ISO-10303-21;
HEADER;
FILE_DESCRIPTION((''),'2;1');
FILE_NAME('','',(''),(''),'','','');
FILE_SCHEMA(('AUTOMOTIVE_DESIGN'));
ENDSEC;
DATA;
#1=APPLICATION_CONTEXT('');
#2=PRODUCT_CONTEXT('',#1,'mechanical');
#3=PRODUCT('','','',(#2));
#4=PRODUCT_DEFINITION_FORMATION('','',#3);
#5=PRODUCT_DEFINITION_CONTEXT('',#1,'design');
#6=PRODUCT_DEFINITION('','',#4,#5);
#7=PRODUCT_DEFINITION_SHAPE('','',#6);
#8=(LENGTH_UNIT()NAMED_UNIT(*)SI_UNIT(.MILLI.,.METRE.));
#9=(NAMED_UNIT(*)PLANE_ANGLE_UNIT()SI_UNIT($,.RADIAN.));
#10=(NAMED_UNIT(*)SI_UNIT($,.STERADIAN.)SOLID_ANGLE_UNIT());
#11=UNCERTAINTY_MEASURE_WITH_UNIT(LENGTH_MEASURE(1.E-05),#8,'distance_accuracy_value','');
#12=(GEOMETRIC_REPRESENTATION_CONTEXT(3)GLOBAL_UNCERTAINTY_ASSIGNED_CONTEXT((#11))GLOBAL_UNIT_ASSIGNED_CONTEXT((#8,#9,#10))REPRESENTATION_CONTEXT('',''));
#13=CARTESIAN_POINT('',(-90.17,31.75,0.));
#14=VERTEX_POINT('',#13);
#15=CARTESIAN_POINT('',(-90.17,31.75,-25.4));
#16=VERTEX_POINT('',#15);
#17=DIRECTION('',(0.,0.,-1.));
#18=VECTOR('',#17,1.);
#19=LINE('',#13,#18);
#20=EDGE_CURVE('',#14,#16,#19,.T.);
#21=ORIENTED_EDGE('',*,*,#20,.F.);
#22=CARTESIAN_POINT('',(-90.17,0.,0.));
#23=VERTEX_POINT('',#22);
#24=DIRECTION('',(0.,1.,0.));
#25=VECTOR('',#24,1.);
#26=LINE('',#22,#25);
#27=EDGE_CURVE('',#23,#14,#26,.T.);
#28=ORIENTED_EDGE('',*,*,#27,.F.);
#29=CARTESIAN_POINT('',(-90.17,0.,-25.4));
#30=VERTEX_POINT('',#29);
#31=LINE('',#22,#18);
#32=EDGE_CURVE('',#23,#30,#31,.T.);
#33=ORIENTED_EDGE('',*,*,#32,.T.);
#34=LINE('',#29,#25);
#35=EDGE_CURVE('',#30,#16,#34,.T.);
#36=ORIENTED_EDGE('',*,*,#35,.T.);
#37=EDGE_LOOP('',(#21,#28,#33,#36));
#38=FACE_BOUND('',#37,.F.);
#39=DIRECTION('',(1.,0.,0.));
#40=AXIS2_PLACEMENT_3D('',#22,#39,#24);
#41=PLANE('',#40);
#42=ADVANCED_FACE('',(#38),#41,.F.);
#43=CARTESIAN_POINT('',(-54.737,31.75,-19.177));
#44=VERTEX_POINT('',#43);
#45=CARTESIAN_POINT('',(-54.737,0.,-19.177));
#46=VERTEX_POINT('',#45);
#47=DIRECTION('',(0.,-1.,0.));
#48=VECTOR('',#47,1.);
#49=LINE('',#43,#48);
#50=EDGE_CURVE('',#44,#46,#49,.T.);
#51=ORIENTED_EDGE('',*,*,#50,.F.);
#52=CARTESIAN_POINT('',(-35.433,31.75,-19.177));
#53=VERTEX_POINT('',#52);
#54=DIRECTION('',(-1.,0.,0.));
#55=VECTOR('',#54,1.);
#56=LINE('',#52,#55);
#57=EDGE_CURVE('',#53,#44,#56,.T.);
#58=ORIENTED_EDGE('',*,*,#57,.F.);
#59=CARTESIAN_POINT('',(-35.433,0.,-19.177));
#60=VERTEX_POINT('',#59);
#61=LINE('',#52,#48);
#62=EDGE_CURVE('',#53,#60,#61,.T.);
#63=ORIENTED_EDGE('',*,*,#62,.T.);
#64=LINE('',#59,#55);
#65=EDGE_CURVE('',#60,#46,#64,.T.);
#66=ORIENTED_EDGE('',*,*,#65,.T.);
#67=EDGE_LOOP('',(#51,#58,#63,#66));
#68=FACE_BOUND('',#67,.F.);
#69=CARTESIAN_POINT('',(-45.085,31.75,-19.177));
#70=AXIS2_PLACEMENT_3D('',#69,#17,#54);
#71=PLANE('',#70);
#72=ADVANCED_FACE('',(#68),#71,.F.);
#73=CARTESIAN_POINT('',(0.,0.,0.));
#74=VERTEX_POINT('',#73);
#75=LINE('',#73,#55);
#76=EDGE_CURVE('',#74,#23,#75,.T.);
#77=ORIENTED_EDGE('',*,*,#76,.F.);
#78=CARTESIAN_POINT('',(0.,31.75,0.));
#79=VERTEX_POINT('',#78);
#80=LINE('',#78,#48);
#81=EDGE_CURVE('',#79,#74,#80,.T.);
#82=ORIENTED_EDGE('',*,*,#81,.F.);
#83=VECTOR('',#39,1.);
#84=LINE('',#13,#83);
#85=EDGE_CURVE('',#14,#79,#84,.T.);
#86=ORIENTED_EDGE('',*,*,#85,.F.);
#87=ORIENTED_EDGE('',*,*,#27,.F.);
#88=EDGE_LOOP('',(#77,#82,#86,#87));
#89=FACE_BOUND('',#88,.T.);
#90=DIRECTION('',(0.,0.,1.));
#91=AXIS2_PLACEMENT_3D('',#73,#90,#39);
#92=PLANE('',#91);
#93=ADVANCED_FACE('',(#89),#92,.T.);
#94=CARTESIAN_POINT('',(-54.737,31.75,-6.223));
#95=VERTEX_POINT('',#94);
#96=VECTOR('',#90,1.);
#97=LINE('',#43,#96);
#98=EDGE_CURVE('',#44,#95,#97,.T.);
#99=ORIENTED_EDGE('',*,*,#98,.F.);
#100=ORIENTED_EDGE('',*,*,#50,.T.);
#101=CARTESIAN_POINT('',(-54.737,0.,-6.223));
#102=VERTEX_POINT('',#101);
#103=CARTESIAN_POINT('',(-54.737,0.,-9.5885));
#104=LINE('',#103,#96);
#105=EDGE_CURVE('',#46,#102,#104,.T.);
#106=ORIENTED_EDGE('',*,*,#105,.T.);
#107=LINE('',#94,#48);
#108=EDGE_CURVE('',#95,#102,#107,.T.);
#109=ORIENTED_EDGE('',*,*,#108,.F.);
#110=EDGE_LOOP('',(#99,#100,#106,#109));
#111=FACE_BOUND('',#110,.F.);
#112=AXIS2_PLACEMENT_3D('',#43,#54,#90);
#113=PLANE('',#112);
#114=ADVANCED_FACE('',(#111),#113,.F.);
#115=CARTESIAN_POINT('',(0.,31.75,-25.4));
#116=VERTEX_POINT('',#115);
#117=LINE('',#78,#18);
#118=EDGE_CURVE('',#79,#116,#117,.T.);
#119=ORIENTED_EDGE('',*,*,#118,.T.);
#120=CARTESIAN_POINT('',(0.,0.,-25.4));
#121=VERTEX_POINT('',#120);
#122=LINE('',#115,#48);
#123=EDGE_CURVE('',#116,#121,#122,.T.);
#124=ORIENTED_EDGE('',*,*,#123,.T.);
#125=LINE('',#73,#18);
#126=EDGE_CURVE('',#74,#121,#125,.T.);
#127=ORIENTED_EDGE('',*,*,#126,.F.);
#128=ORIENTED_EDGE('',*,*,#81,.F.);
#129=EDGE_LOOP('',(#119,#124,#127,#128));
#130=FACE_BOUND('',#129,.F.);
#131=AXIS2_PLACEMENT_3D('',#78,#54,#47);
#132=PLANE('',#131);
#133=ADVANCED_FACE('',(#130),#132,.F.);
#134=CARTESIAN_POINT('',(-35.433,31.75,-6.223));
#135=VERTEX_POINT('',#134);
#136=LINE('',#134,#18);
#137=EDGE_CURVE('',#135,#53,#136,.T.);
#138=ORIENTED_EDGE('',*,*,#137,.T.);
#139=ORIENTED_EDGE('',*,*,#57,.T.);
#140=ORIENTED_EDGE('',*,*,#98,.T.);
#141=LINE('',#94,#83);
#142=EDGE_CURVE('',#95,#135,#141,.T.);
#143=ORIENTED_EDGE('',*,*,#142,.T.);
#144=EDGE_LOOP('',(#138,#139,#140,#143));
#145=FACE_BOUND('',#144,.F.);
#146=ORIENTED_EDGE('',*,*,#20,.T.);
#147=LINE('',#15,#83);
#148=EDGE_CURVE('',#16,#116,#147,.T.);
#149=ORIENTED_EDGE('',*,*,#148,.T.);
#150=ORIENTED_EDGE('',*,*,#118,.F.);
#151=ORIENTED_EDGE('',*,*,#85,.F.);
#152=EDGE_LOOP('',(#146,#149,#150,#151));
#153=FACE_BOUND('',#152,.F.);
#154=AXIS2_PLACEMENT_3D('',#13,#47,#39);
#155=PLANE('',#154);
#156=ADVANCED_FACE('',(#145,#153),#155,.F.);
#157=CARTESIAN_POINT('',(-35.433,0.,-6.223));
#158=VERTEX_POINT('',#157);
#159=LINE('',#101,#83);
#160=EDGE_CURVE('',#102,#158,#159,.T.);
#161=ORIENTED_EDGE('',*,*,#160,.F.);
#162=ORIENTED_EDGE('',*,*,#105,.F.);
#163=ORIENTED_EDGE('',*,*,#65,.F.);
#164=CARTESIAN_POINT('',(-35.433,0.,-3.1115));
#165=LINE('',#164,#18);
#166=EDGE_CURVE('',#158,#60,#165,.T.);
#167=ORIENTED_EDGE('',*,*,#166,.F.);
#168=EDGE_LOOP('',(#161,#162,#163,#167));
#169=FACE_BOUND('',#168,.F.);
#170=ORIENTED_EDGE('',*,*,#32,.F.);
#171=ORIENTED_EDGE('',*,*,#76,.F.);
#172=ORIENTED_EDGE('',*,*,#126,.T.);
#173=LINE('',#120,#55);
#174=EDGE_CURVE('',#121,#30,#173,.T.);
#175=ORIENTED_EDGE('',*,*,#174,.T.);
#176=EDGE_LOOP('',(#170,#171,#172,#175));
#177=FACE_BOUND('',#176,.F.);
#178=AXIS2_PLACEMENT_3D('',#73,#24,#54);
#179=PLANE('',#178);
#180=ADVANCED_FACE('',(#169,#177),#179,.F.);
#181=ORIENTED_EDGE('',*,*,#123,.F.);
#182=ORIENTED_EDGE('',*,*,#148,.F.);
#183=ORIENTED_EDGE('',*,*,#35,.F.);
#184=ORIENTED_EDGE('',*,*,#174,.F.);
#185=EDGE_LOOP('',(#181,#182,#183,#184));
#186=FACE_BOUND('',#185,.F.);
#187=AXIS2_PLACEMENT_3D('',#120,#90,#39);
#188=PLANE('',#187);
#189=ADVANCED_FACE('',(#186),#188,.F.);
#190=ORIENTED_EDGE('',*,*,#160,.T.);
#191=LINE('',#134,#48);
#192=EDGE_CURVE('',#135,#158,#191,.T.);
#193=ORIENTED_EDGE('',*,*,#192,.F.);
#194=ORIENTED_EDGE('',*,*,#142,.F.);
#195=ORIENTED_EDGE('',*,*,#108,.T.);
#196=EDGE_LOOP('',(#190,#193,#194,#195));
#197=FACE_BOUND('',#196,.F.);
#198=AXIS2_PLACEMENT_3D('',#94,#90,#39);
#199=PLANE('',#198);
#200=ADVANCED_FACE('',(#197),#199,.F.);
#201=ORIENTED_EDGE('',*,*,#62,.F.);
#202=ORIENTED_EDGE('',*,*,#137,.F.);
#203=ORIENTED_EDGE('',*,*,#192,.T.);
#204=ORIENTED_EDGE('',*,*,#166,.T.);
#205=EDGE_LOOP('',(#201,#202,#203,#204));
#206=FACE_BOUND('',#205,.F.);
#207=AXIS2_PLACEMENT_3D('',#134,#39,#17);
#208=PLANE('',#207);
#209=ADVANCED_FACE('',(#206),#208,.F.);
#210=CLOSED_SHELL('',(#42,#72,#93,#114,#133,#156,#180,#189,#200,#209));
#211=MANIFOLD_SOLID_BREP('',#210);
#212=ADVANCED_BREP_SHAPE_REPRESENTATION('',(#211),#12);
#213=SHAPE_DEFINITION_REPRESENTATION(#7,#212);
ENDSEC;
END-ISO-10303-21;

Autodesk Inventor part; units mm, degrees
ref_plane "YZ Plane" through (0, 0, 0) normal (1, 0, 0) x (0, 1, 0)
ref_plane "XZ Plane" through (0, 0, 0) normal (0, 1, 0) x (-1, 0, 0)
ref_plane "XY Plane" through (0, 0, 0) normal (0, 0, 1) x (1, 0, 0)
sketch "Sketch1" plane through (0, 0, 0) normal (0, 0, 1) x (1, 0, 0)
  line L0 (0, 0) -> (-90.17, 0)
  line L1 (-90.17, 0) -> (-90.17, 31.75)
  line L2 (-90.17, 31.75) -> (0, 31.75)
  line L3 (0, 31.75) -> (0, 0)
  dimension "d0" = 90.17
  dimension "d1" = 31.75
extrude "Extrusion1" add sketch "Sketch1" against normal blind 25.4
sketch "Sketch2" plane through (-90.17, 31.75, 0) normal (0, 1, 0) x (1, 0, 0)
  line L0 (0, 0) -> (90.17, 0) projected
  line L1 (90.17, 0) -> (90.17, 25.4) projected
  line L2 (0, 25.4) -> (90.17, 25.4) projected
  line L3 (0, 0) -> (0, 25.4) projected
  line L4 (90.17, 0) -> (52.07, 0)
  line L5 (52.07, 0) -> (52.07, 25.4)
  line L6 (52.07, 25.4) -> (90.17, 25.4)
  line L7 (90.17, 25.4) -> (90.17, 0)
  line L8 (0, 0) -> (0, 25.4) projected
  line L9 (0, 0) -> (38.1, 0)
  line L10 (38.1, 0) -> (38.1, 25.4)
  line L11 (38.1, 25.4) -> (0, 25.4)
  line L12 (0, 25.4) -> (0, 0)
  line L13 (38.1, 6.223) -> (52.07, 6.223)
  line L14 (52.07, 6.223) -> (52.07, 19.177)
  line L15 (52.07, 19.177) -> (38.1, 19.177)
  line L16 (38.1, 19.177) -> (38.1, 6.223)
  circle A0 centre (45.085, 12.7) radius 6.477
  line L17 (35.433, 6.223) -> (54.737, 6.223)
  line L18 (54.737, 6.223) -> (54.737, 19.177)
  line L19 (54.737, 19.177) -> (35.433, 19.177)
  line L20 (35.433, 19.177) -> (35.433, 6.223)
  dimension "d4" = 38.1
  dimension "d5" = 38.1
  dimension "d6" = 6.223
  dimension "d7" = 6.223
  dimension "d8" = 6.477
  dimension "d10" = 6.985
  dimension "d11" = 6.985
  dimension "d12" = 12.954
  dimension "d15" = 3.175
  dimension "d16" = 3.175
extrude "Extrusion2" cut sketch "Sketch2" against normal blind 76.2 contours A0
sketch "Sketch3" plane through (-90.17, 31.75, 0) normal (0, 1, 0) x (1, 0, 0)
  circle A0 centre (45.085, 12.7) radius 6.477 projected
  line L0 (35.433, 6.223) -> (54.737, 6.223)
  line L1 (54.737, 6.223) -> (54.737, 19.177)
  line L2 (54.737, 19.177) -> (35.433, 19.177)
  line L3 (35.433, 19.177) -> (35.433, 6.223)
  dimension "d17" = 0
  dimension "d18" = 0
  dimension "d19" = 3.175
  dimension "d20" = 3.175
extrude "Extrusion3" cut sketch "Sketch3" against normal blind 76.2 contours A0 L2 L1 L0 | A0 L0 L3 L2
properties part number "Lidar Holder 1"
